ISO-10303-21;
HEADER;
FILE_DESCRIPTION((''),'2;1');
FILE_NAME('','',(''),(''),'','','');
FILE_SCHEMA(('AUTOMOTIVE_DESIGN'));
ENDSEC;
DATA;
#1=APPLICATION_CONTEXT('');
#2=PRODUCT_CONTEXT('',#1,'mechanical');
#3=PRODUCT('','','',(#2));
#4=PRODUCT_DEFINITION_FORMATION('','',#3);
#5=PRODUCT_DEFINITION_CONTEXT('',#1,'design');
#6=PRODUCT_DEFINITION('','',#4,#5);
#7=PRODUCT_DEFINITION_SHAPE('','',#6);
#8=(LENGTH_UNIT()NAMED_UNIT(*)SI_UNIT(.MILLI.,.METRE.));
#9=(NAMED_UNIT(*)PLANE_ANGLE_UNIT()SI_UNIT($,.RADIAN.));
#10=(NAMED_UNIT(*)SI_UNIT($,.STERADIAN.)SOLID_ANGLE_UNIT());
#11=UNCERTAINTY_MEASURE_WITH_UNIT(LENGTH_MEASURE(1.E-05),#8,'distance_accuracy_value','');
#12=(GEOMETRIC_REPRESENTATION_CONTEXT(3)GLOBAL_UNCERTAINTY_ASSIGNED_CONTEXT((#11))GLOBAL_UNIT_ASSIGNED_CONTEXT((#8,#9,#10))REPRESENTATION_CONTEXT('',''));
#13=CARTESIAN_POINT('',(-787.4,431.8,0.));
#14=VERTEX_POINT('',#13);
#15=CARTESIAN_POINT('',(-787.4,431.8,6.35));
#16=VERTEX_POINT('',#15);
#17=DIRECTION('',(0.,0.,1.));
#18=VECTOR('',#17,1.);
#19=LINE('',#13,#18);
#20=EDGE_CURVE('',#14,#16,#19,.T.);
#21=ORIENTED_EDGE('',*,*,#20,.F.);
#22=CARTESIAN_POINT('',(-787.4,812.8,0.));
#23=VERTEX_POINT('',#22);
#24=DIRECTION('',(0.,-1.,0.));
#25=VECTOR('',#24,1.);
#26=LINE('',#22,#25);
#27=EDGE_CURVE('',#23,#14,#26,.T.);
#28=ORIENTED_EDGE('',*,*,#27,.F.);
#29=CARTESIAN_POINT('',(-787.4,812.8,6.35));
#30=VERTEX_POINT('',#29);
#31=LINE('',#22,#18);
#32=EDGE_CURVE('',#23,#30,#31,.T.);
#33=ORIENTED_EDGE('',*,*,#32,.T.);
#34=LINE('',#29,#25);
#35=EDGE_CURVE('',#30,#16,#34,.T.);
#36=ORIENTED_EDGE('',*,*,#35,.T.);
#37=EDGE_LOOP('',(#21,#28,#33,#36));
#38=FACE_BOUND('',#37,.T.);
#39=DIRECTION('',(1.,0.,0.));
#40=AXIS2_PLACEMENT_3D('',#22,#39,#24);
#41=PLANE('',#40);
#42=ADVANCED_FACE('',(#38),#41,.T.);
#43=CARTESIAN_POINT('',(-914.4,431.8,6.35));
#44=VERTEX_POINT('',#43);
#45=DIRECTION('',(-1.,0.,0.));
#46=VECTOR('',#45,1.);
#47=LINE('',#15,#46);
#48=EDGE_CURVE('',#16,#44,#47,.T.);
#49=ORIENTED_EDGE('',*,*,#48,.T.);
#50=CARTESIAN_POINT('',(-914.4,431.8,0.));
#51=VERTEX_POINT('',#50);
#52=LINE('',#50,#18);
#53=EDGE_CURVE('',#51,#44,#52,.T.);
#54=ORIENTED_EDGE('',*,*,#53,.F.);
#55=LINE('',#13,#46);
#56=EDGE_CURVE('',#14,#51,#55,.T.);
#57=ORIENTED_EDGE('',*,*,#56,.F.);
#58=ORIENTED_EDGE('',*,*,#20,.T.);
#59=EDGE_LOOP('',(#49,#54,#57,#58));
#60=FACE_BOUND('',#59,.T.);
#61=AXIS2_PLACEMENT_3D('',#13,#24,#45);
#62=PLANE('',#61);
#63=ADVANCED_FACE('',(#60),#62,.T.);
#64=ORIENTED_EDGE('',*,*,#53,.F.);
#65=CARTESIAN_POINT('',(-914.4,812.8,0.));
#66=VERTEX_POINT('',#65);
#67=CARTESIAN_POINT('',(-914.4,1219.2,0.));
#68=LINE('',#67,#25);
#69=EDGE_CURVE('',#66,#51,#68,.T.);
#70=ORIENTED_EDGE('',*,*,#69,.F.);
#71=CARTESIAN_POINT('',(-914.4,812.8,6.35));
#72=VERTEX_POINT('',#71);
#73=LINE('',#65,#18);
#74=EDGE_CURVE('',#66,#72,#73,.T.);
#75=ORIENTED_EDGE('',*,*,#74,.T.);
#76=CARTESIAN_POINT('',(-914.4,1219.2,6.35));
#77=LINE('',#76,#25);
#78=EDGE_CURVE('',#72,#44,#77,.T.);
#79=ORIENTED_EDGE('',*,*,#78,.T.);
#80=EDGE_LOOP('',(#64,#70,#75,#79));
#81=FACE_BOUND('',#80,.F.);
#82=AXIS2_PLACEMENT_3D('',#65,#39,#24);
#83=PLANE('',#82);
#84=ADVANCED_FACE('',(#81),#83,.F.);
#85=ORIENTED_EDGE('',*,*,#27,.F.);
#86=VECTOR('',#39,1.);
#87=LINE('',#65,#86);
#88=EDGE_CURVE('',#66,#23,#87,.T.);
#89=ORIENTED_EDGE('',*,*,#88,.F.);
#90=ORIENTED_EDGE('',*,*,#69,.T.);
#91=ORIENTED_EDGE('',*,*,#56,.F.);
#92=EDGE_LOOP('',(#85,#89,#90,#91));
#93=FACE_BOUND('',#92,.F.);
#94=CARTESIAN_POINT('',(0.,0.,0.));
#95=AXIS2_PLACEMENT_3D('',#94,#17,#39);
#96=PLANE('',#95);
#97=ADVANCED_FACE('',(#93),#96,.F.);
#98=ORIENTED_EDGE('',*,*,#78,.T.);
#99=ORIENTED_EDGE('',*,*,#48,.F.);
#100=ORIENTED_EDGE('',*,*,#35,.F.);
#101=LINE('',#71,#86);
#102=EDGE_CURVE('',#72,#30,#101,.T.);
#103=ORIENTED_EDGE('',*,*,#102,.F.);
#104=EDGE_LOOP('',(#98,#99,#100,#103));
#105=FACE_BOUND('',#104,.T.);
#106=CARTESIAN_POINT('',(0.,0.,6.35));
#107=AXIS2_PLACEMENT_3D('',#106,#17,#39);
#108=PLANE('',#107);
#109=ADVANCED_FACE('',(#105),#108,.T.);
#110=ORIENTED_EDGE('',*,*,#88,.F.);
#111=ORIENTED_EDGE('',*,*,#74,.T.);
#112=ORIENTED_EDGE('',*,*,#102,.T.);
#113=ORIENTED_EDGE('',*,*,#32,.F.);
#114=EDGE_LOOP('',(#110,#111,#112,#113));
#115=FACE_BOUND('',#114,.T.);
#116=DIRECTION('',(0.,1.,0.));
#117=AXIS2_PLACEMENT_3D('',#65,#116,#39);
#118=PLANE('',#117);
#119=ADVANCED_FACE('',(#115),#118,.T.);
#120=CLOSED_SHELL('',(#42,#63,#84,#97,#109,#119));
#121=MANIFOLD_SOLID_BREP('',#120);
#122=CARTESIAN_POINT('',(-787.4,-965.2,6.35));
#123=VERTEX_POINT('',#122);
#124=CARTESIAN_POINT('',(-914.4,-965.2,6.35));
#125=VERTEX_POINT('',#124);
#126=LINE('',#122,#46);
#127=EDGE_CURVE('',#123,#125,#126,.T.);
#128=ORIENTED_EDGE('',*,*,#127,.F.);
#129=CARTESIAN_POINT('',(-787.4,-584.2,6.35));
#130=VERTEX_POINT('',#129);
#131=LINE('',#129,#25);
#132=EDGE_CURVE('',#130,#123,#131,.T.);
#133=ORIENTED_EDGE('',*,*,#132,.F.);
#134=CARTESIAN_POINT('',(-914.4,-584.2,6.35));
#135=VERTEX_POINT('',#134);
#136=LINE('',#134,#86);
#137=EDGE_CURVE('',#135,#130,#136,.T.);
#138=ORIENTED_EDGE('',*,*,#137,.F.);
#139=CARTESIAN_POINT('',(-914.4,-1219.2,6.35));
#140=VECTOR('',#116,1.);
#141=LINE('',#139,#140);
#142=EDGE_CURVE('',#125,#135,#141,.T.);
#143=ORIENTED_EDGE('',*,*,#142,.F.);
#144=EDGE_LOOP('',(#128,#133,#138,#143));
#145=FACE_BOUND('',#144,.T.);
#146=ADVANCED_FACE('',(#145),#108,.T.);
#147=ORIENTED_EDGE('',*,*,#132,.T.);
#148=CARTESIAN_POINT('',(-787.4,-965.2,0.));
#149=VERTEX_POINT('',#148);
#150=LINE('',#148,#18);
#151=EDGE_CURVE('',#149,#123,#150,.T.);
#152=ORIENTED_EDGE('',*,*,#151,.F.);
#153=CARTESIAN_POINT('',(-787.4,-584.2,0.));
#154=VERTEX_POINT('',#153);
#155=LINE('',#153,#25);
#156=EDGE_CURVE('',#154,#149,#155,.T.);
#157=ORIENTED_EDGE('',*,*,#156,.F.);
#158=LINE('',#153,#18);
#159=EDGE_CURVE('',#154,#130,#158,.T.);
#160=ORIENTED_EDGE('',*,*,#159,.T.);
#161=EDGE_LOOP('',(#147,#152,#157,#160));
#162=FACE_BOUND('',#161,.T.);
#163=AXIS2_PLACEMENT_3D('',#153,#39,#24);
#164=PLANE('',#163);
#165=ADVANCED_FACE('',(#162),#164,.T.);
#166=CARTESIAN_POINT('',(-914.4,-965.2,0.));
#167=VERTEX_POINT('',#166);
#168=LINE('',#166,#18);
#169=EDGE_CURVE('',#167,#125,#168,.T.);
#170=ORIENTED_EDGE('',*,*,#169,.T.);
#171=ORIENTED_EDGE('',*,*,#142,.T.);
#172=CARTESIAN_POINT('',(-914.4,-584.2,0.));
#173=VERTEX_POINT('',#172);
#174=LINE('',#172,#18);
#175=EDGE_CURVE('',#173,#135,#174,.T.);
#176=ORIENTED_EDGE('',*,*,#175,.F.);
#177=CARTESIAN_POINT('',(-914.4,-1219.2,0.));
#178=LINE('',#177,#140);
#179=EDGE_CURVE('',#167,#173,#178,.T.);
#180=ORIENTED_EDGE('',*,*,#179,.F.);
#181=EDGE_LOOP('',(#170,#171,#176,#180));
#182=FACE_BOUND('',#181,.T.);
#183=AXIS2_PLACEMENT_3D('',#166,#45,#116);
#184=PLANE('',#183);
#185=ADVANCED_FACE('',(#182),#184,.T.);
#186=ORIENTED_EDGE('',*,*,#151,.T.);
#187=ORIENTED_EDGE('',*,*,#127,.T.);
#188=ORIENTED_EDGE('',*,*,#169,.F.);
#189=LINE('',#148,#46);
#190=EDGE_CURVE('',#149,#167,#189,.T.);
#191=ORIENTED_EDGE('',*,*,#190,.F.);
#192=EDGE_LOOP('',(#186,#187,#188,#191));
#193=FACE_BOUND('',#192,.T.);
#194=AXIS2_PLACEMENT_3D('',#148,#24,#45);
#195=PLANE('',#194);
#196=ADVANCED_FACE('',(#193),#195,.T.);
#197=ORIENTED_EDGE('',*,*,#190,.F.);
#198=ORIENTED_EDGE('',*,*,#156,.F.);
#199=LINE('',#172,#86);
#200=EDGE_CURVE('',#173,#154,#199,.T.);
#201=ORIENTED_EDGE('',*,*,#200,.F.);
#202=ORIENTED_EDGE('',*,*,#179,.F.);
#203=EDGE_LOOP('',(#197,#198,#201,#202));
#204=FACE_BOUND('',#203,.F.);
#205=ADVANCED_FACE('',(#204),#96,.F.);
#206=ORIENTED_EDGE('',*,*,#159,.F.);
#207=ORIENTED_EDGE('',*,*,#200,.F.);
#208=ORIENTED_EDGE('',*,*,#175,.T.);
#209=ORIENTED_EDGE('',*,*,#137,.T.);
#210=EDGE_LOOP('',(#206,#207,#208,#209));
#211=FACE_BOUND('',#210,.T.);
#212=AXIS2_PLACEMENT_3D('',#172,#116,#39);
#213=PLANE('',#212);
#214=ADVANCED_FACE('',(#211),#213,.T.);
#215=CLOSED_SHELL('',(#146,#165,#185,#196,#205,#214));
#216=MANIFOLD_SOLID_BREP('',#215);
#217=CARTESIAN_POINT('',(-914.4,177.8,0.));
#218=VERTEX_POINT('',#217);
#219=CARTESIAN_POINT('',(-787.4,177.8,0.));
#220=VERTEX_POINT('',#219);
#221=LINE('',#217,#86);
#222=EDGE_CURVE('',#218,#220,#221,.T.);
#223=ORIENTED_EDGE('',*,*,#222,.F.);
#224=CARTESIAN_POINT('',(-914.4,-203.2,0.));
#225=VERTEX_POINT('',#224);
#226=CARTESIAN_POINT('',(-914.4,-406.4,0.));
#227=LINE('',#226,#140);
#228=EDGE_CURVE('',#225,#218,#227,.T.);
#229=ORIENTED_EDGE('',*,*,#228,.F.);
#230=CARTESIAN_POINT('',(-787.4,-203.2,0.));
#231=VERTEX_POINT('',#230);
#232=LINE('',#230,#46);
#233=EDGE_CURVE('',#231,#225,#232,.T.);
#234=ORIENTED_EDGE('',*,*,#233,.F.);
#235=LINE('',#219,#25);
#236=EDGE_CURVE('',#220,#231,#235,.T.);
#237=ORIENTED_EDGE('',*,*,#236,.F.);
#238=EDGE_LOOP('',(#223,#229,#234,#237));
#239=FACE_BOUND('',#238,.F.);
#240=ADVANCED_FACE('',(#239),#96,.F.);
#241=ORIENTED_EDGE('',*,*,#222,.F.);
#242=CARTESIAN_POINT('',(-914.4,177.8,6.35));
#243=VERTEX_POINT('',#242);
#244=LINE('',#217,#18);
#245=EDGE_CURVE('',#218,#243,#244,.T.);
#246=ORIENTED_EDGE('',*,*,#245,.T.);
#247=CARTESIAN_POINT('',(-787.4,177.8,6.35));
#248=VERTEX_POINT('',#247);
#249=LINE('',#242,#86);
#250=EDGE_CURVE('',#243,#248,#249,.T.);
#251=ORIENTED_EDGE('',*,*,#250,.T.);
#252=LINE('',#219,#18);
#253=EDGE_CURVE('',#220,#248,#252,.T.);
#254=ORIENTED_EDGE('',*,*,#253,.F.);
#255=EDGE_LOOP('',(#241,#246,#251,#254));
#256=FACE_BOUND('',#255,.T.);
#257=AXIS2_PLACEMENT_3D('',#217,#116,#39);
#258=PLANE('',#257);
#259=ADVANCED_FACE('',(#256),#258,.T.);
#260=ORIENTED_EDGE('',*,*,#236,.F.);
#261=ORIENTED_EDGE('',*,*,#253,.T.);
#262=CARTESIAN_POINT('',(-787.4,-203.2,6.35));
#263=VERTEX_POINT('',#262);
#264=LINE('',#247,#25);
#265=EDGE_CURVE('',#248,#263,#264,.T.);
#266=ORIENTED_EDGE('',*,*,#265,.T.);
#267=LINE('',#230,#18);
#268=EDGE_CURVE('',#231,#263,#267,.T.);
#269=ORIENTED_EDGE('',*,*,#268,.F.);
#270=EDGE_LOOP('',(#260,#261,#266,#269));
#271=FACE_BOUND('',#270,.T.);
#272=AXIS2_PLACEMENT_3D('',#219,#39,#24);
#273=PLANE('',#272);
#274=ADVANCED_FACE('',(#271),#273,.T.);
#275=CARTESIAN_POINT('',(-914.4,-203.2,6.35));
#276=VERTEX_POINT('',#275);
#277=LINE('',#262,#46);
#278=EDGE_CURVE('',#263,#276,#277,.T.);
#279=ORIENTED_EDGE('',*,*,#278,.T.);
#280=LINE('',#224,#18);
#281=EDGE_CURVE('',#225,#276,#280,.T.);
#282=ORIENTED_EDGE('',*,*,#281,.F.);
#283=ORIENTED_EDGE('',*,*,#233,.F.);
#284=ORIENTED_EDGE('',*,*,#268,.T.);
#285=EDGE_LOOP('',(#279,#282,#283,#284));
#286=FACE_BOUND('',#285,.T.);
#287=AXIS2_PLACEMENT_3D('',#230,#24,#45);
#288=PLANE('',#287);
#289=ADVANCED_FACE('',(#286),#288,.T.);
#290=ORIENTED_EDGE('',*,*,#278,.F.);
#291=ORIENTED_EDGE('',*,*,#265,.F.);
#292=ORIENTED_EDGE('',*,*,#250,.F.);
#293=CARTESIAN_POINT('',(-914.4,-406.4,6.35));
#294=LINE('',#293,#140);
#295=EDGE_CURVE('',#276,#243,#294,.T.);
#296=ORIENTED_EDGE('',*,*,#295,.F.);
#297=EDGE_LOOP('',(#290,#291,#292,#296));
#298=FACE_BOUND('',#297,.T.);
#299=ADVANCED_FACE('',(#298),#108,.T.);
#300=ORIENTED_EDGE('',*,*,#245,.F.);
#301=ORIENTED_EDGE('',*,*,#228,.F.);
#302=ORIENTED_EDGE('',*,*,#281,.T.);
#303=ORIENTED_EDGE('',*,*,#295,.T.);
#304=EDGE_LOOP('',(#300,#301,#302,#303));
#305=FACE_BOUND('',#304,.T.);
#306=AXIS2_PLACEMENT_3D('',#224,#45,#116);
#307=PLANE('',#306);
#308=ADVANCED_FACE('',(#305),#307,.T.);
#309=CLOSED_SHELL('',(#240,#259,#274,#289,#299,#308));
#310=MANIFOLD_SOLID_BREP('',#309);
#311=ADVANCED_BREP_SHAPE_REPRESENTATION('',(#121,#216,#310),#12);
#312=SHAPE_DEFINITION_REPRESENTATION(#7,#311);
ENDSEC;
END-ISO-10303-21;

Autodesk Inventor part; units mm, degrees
ref_plane "YZ Plane" through (0, 0, 0) normal (1, 0, 0) x (0, 1, 0)
ref_plane "XZ Plane" through (0, 0, 0) normal (0, 1, 0) x (-1, 0, 0)
ref_plane "Work Plane1" through (0, 0, 0) normal (0, 0, 1) x (1, 0, 0)
sketch "Sketch1" plane through (0, 0, 0) normal (0, 0, 1) x (1, 0, 0)
  line L0 (-914.4, -406.4) -> (-914.4, 406.4) projected
  line L1 (-914.4, 1219.2) -> (-914.4, 406.4) projected
  line L2 (-914.4, -1219.2) -> (-914.4, -406.4) projected
  line L3 (-914.4, 812.8) -> (-787.4, 812.8)
  line L4 (-787.4, 812.8) -> (-787.4, 431.8)
  line L5 (-787.4, 431.8) -> (-914.4, 431.8)
  line L6 (-914.4, 431.8) -> (-914.4, 812.8)
  line L7 (-914.4, 177.8) -> (-787.4, 177.8)
  line L8 (-787.4, 177.8) -> (-787.4, -203.2)
  line L9 (-787.4, -203.2) -> (-914.4, -203.2)
  line L10 (-914.4, -203.2) -> (-914.4, 177.8)
  line L11 (-914.4, -584.2) -> (-787.4, -584.2)
  line L12 (-787.4, -584.2) -> (-787.4, -965.2)
  line L13 (-787.4, -965.2) -> (-914.4, -965.2)
  line L14 (-914.4, -965.2) -> (-914.4, -584.2)
  line L15 (-1219.2, -1219.2) -> (1219.2, -1219.2) projected
  point P0 (0, 0)
  dimension "d0" = 127
  dimension "d1" = 254
  dimension "d2" = 381
  dimension "d3" = 381
  dimension "d4" = 381
  dimension "d5" = 254
  dimension "d6" = 381
extrude "Extrusion1" add sketch "Sketch1" along normal blind 6.35
properties part number "Navigation stripes"
